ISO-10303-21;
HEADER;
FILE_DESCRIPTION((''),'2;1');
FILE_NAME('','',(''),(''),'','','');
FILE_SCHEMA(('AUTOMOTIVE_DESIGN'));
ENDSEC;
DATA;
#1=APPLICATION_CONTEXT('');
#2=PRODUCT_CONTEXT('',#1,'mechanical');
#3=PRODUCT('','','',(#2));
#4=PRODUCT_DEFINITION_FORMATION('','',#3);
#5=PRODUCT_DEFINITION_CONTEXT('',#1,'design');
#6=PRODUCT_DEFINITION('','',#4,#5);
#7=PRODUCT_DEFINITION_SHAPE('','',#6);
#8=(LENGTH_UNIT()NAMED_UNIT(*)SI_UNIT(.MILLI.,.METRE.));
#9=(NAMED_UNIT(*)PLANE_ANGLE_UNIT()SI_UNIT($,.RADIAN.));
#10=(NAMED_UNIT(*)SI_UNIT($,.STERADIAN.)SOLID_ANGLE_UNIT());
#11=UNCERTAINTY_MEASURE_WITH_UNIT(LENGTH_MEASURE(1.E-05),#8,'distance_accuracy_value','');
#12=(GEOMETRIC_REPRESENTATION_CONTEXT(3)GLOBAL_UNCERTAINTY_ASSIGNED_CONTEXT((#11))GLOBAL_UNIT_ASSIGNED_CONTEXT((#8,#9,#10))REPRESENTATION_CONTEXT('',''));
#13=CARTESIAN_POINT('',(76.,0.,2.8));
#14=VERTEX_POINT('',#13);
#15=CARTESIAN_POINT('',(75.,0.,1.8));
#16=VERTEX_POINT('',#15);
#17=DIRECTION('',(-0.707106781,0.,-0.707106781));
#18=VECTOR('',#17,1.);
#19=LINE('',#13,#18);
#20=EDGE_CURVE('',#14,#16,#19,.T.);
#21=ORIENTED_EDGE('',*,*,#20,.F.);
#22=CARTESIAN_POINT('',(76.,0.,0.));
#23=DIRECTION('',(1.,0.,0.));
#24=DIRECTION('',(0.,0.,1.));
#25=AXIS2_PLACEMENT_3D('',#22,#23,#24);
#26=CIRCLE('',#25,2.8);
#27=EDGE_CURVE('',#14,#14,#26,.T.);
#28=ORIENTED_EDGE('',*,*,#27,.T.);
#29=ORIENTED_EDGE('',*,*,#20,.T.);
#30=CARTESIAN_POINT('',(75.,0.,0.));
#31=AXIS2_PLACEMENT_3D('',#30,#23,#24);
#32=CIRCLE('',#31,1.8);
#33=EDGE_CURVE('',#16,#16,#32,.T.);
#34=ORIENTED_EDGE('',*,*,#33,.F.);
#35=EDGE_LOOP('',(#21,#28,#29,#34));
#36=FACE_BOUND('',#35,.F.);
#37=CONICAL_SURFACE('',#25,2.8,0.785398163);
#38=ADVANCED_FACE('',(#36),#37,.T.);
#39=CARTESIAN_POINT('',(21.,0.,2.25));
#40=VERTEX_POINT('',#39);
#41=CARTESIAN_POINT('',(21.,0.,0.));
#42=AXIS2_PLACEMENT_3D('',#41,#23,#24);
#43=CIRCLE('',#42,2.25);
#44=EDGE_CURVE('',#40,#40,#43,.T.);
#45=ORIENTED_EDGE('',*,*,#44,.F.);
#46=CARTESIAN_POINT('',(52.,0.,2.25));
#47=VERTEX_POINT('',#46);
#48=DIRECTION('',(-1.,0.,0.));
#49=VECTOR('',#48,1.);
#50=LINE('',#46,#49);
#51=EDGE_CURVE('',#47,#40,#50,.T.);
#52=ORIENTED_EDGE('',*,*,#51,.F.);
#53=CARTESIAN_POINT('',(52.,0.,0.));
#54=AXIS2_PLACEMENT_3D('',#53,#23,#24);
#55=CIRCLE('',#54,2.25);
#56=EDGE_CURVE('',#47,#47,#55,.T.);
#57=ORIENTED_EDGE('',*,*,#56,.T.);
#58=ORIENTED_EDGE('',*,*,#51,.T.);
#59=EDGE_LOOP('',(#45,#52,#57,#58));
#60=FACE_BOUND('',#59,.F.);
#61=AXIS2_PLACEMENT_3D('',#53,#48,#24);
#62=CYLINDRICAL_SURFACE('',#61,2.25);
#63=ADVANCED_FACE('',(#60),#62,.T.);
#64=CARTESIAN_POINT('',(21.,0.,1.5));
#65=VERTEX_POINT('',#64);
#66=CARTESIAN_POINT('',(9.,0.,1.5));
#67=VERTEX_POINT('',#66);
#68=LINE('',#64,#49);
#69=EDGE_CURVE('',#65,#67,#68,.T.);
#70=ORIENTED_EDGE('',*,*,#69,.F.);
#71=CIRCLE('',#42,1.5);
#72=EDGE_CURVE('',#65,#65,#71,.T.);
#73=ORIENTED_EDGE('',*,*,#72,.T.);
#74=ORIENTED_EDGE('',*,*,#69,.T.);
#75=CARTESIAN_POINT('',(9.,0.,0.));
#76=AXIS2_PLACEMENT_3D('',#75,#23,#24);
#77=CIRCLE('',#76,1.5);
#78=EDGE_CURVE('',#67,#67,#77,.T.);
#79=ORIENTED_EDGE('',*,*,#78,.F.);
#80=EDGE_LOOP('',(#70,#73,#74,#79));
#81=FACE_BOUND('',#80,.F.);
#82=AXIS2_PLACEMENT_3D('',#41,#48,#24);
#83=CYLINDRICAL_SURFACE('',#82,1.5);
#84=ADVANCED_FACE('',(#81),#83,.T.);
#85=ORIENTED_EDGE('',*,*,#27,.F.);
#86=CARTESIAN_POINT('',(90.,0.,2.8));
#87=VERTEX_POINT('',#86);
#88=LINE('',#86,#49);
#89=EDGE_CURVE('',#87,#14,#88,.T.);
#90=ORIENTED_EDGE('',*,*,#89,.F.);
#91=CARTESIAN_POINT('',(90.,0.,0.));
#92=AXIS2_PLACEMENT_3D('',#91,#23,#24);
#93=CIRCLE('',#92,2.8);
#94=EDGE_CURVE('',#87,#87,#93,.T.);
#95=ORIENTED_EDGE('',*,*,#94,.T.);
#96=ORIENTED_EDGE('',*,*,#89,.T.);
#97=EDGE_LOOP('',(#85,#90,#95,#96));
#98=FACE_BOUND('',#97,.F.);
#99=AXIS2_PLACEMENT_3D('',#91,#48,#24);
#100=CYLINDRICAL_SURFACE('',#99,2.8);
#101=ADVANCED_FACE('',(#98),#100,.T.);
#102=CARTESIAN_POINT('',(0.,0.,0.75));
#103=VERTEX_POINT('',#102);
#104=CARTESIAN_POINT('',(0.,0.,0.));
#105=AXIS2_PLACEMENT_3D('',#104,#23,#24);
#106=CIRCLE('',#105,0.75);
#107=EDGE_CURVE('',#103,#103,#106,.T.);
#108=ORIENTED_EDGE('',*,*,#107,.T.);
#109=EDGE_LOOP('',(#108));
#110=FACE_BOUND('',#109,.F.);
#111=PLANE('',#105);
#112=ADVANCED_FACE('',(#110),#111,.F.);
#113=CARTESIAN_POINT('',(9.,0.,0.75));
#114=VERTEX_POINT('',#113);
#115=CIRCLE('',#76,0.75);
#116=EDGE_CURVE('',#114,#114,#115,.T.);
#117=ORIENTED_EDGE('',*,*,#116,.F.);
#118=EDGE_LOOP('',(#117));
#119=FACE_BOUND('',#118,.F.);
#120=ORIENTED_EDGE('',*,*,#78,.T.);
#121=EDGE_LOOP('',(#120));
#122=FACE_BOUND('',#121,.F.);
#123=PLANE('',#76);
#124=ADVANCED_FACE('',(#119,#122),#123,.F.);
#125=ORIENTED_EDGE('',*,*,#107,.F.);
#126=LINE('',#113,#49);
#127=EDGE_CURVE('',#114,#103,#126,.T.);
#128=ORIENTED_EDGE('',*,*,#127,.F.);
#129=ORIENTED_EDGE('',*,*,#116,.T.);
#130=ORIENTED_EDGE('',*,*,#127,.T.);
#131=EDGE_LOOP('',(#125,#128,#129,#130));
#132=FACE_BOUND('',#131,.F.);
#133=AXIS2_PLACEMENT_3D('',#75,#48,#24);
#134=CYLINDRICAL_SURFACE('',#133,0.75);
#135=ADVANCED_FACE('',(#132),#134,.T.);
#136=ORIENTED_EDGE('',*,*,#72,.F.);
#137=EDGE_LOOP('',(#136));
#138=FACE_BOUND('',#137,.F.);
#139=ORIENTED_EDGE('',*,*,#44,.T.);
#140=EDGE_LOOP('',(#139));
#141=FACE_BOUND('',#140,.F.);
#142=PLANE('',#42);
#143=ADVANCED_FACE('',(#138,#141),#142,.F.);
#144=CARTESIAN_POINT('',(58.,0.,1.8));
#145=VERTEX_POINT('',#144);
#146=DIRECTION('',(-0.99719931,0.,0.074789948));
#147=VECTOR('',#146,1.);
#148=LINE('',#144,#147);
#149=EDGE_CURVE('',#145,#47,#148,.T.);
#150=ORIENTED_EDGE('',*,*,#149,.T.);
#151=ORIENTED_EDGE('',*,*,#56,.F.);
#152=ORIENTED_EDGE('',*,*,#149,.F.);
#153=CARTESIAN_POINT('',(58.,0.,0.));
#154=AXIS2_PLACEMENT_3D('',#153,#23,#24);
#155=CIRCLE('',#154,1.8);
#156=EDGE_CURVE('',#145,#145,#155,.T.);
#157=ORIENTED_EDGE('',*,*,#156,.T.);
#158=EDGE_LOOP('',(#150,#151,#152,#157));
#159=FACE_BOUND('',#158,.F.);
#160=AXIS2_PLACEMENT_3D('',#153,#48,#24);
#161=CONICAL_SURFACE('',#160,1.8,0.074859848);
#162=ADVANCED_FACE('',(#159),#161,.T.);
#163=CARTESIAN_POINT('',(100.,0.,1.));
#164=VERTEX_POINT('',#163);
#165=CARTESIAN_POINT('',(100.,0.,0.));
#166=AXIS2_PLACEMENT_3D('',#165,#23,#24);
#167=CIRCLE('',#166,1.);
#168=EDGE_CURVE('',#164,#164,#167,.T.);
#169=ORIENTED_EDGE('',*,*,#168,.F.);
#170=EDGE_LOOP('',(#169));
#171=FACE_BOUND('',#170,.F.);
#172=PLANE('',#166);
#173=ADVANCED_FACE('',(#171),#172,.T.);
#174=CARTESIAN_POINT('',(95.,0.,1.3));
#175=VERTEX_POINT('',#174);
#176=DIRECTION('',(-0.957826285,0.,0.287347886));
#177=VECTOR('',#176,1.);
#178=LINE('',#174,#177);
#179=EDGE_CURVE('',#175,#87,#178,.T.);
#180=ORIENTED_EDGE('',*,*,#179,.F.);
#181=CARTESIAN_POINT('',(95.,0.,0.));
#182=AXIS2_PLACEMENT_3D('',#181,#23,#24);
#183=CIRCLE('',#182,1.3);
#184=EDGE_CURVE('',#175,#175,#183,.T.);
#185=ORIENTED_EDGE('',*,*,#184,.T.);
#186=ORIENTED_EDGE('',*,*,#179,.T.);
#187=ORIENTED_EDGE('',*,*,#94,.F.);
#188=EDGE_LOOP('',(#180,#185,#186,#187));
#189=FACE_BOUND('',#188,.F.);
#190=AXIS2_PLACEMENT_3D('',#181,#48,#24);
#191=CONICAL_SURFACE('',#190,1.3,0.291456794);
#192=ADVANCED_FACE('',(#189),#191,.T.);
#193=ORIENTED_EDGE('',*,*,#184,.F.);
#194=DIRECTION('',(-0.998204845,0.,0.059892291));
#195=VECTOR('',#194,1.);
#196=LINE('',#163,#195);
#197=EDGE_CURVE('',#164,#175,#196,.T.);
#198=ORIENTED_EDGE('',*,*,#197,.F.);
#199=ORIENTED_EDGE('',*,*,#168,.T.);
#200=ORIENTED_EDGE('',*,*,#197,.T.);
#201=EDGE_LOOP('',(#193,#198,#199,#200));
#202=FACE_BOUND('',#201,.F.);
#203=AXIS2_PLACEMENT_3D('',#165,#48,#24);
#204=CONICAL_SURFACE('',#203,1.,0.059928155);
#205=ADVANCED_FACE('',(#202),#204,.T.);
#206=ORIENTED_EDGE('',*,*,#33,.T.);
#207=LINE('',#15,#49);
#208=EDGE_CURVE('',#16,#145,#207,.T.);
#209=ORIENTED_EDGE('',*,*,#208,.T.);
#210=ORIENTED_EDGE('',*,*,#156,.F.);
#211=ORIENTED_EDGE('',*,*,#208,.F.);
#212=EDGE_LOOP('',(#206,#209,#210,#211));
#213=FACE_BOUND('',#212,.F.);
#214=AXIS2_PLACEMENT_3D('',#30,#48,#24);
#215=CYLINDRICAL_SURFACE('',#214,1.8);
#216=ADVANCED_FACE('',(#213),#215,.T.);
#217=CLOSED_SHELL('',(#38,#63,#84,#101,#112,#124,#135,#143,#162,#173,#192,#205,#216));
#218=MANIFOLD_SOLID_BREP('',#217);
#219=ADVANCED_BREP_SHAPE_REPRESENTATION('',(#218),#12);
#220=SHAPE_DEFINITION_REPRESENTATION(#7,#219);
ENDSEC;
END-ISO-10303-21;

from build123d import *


with BuildPart() as part:
    # Sketch → Revolution (revolve)
    with BuildSketch(Plane.XZ):
        Polygon((0, 0), (100, 0), (100, 1), (95, 1.3), (90, 2.8), (76, 2.8), (75, 1.8), (58, 1.8), (52, 2.25), (21, 2.25), (21, 1.5), (9, 1.5), (9, 0.75), (0, 0.75), align=None)
    revolve(axis=Axis((0, 0, 0), (1, 0, 0)))


solid = part.part
